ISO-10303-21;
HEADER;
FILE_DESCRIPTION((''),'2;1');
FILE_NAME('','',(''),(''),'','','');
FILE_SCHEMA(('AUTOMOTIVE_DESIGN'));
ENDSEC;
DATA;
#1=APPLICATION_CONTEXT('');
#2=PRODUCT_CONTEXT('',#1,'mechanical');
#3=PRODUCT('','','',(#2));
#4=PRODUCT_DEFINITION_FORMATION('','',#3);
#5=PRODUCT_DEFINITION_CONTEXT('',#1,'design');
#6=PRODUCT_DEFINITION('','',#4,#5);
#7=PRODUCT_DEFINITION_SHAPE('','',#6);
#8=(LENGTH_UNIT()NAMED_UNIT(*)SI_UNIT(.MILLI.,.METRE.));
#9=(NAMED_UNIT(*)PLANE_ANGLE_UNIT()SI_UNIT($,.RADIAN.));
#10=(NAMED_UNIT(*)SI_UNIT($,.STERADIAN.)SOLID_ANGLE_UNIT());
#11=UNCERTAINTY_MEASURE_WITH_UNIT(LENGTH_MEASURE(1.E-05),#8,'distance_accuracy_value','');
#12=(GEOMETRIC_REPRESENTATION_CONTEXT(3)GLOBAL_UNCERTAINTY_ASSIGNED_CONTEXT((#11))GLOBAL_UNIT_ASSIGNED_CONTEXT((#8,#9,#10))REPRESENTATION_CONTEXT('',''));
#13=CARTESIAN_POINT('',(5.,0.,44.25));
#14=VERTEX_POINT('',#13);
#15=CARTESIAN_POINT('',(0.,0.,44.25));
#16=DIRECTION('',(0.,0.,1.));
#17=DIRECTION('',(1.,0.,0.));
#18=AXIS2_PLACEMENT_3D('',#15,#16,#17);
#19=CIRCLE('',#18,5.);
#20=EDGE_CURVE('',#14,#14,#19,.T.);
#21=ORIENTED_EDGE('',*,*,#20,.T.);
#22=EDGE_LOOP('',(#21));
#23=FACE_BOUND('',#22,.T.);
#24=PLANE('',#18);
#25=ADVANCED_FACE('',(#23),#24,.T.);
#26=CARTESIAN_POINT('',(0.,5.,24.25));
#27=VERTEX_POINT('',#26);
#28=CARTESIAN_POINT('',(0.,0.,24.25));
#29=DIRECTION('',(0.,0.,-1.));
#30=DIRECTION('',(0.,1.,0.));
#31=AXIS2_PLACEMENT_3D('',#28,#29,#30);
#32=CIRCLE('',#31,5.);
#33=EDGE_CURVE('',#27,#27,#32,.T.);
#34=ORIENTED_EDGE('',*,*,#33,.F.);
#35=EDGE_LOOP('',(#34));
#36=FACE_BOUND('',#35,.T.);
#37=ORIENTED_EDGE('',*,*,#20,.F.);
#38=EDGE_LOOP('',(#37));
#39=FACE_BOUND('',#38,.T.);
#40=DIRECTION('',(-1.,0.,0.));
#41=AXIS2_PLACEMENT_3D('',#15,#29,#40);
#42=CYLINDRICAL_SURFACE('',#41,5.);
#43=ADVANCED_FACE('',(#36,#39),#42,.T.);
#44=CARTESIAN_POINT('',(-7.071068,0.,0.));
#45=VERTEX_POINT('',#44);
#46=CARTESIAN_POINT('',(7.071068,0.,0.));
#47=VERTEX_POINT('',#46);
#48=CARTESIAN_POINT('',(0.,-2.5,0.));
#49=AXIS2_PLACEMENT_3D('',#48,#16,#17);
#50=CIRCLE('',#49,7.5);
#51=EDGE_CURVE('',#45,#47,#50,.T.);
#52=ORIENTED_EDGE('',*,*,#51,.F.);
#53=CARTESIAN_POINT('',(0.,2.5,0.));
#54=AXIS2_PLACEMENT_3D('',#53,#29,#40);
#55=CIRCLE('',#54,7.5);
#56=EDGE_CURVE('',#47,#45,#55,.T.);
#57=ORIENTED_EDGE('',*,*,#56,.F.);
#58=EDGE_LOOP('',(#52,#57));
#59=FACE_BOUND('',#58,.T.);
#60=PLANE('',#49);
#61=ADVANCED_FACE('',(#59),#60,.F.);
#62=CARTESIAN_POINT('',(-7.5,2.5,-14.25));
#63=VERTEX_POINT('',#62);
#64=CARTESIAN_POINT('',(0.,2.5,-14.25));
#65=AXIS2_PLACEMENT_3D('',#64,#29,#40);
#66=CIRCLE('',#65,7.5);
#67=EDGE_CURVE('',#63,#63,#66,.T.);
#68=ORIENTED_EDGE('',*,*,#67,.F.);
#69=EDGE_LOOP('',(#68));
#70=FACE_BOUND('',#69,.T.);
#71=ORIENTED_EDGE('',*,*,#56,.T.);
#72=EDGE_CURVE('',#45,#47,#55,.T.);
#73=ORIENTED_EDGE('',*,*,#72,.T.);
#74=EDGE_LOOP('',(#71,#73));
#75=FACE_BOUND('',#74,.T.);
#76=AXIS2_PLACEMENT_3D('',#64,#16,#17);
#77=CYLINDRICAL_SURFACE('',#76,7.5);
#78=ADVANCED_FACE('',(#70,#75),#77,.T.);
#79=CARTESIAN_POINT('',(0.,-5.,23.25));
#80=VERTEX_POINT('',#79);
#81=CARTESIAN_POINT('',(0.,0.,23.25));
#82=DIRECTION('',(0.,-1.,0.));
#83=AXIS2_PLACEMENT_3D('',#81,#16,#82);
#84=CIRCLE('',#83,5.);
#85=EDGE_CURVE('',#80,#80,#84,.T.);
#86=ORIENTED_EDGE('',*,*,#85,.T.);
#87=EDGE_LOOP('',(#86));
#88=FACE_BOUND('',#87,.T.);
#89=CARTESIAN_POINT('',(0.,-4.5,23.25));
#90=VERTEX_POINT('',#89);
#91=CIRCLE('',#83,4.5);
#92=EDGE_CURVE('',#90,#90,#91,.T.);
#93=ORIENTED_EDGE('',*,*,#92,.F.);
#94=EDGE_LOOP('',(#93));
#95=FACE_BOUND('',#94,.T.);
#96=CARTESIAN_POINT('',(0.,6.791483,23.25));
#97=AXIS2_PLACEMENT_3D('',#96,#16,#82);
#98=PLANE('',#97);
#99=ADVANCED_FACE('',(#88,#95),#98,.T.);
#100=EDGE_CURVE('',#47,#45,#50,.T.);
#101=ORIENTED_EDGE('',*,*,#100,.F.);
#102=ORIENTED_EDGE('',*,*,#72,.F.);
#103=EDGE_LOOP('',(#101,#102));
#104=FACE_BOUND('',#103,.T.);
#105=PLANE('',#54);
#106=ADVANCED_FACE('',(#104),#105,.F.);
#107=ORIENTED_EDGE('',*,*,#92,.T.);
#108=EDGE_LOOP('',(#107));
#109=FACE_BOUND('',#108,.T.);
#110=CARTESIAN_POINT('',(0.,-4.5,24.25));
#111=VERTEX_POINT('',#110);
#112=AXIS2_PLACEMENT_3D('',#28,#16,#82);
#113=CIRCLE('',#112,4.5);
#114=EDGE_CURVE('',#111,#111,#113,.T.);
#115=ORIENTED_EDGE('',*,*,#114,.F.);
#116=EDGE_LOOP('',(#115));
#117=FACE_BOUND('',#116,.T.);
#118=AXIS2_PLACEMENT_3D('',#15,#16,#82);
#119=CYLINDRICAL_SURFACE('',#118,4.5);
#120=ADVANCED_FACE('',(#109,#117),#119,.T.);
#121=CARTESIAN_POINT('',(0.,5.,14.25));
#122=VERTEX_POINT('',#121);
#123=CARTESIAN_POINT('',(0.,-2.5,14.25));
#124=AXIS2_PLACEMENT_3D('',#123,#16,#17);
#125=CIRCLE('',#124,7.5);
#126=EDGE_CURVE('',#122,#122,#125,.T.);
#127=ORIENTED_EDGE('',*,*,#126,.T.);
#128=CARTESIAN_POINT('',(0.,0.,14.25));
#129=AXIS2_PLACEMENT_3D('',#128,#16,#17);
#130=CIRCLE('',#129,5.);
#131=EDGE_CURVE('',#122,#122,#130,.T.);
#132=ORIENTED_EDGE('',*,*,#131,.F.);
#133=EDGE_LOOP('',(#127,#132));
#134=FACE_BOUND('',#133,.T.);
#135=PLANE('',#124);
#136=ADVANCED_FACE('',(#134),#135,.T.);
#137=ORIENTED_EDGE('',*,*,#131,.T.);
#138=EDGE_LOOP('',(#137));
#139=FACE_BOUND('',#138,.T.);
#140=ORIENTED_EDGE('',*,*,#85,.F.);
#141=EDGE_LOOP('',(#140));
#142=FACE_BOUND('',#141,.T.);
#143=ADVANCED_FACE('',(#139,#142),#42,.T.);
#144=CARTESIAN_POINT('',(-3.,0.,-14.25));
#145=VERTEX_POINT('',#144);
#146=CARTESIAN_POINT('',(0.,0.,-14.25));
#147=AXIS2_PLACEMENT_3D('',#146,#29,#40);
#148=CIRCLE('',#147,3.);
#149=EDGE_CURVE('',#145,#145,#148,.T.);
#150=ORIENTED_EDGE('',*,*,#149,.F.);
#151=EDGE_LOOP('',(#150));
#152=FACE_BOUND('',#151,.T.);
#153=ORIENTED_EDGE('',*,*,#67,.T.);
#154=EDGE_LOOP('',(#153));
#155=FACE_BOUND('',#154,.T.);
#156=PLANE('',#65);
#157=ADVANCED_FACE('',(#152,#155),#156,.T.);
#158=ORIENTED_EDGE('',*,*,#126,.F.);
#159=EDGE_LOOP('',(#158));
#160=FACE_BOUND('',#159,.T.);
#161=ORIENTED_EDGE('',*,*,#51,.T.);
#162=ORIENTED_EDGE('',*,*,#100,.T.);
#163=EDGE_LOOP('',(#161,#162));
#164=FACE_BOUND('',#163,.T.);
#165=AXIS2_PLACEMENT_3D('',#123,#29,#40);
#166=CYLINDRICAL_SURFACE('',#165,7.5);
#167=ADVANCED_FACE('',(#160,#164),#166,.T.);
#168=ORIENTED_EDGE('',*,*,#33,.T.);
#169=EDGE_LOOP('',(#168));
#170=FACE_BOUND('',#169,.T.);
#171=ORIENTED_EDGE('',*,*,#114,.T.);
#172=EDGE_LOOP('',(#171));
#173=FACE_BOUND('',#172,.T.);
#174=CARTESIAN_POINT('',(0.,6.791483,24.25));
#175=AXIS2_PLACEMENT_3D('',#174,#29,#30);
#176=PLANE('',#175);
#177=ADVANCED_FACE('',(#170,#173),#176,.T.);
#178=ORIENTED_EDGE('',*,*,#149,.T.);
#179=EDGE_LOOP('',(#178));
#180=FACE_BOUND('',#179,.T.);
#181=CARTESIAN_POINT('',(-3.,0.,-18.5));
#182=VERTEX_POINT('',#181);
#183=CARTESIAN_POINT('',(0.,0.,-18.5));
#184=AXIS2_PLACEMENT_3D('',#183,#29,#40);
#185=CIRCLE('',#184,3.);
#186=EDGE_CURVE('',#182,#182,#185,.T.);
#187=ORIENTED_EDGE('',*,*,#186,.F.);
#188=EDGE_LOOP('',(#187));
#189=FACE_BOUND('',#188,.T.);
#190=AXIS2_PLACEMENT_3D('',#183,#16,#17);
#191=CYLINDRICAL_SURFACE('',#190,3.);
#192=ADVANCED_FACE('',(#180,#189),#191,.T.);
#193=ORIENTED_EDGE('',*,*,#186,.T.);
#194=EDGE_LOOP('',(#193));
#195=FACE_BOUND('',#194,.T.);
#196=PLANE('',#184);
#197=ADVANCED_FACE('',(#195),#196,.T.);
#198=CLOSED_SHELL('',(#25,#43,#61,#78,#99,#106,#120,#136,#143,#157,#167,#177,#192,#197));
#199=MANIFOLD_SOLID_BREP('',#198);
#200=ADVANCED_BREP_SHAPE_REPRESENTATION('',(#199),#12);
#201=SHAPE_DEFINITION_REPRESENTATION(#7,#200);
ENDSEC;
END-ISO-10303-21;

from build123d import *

# Parameters (mm, degrees)
SKETCH1_R           = 7.5
BOSS_EXTRUDE1_DEPTH = 14.25
SKETCH2_R           = 7.5
BOSS_EXTRUDE2_DEPTH = 14.25
SKETCH3_R           = 3
CUT_EXTRUDE1_DEPTH  = 32.120732639
SKETCH4_R           = 3
BOSS_EXTRUDE3_DEPTH = 4.25
SKETCH4_2_R         = 3
BOSS_EXTRUDE4_DEPTH = 28.5
SKETCH5_R           = 5
BOSS_EXTRUDE5_DEPTH = 30
SKETCH7_W           = 1
SKETCH7_H           = 2.291482858


with BuildPart() as part:
    # Sketch1 → Boss-Extrude1 (new body)
    with BuildSketch(Plane.XY):
        with Locations(Location((0, -2.5, 0), (0, 0, 180))):
            Circle(SKETCH1_R)
    extrude(amount=BOSS_EXTRUDE1_DEPTH)

    # Sketch2 → Boss-Extrude2 (add)
    with BuildSketch(Plane(origin=(0, 0, 0), x_dir=(-1, 0, 0), z_dir=(0, 0, -1))):
        with Locations(Location((0, 2.5, 0), (0, 0, 199.471220634))):
            Circle(SKETCH2_R)
    extrude(amount=BOSS_EXTRUDE2_DEPTH)

    # Sketch3 → Cut-Extrude1 (cut, through all)
    with BuildSketch(Plane(origin=(0, 0, -14.25), x_dir=(-1, 0, 0), z_dir=(0, 0, -1))):
        Circle(SKETCH3_R)
    extrude(amount=-CUT_EXTRUDE1_DEPTH, mode=Mode.SUBTRACT)



with BuildPart() as body_2:
    # Sketch4 → Boss-Extrude3 (new body)
    with BuildSketch(Plane(origin=(0, 0, -14.25), x_dir=(-1, 0, 0), z_dir=(0, 0, -1))):
        Circle(SKETCH4_R)
    extrude(amount=BOSS_EXTRUDE3_DEPTH)


with BuildPart() as part_1:
    add(part.part)

    add(body_2.part)  # Boss-Extrude4 merges body 2
    # Sketch4<2> → Boss-Extrude4 (add)
    with BuildSketch(Plane(origin=(0, 0, -14.25), x_dir=(-1, 0, 0), z_dir=(0, 0, -1))):
        Circle(SKETCH4_2_R)
    extrude(amount=-BOSS_EXTRUDE4_DEPTH)

    # Sketch5 → Boss-Extrude5 (add)
    with BuildSketch(Plane.XY.offset(14.25)):
        with Locations(Location((0, 0, 0), (0, 0, 89.999372356))):
            Circle(SKETCH5_R)
    extrude(amount=BOSS_EXTRUDE5_DEPTH)

    # Sketch7 → Cut-Revolve1 (revolve, cut)
    with BuildSketch(Plane(origin=(0, 0, 0), x_dir=(0, 0, -1), z_dir=(1, 0, 0))):
        with Locations((-23.75, 5.645741429)):
            Rectangle(SKETCH7_W, SKETCH7_H)
    revolve(axis=Axis((0, 0, 44.25), (0, 0, -1)), mode=Mode.SUBTRACT)


solid = part_1.part
